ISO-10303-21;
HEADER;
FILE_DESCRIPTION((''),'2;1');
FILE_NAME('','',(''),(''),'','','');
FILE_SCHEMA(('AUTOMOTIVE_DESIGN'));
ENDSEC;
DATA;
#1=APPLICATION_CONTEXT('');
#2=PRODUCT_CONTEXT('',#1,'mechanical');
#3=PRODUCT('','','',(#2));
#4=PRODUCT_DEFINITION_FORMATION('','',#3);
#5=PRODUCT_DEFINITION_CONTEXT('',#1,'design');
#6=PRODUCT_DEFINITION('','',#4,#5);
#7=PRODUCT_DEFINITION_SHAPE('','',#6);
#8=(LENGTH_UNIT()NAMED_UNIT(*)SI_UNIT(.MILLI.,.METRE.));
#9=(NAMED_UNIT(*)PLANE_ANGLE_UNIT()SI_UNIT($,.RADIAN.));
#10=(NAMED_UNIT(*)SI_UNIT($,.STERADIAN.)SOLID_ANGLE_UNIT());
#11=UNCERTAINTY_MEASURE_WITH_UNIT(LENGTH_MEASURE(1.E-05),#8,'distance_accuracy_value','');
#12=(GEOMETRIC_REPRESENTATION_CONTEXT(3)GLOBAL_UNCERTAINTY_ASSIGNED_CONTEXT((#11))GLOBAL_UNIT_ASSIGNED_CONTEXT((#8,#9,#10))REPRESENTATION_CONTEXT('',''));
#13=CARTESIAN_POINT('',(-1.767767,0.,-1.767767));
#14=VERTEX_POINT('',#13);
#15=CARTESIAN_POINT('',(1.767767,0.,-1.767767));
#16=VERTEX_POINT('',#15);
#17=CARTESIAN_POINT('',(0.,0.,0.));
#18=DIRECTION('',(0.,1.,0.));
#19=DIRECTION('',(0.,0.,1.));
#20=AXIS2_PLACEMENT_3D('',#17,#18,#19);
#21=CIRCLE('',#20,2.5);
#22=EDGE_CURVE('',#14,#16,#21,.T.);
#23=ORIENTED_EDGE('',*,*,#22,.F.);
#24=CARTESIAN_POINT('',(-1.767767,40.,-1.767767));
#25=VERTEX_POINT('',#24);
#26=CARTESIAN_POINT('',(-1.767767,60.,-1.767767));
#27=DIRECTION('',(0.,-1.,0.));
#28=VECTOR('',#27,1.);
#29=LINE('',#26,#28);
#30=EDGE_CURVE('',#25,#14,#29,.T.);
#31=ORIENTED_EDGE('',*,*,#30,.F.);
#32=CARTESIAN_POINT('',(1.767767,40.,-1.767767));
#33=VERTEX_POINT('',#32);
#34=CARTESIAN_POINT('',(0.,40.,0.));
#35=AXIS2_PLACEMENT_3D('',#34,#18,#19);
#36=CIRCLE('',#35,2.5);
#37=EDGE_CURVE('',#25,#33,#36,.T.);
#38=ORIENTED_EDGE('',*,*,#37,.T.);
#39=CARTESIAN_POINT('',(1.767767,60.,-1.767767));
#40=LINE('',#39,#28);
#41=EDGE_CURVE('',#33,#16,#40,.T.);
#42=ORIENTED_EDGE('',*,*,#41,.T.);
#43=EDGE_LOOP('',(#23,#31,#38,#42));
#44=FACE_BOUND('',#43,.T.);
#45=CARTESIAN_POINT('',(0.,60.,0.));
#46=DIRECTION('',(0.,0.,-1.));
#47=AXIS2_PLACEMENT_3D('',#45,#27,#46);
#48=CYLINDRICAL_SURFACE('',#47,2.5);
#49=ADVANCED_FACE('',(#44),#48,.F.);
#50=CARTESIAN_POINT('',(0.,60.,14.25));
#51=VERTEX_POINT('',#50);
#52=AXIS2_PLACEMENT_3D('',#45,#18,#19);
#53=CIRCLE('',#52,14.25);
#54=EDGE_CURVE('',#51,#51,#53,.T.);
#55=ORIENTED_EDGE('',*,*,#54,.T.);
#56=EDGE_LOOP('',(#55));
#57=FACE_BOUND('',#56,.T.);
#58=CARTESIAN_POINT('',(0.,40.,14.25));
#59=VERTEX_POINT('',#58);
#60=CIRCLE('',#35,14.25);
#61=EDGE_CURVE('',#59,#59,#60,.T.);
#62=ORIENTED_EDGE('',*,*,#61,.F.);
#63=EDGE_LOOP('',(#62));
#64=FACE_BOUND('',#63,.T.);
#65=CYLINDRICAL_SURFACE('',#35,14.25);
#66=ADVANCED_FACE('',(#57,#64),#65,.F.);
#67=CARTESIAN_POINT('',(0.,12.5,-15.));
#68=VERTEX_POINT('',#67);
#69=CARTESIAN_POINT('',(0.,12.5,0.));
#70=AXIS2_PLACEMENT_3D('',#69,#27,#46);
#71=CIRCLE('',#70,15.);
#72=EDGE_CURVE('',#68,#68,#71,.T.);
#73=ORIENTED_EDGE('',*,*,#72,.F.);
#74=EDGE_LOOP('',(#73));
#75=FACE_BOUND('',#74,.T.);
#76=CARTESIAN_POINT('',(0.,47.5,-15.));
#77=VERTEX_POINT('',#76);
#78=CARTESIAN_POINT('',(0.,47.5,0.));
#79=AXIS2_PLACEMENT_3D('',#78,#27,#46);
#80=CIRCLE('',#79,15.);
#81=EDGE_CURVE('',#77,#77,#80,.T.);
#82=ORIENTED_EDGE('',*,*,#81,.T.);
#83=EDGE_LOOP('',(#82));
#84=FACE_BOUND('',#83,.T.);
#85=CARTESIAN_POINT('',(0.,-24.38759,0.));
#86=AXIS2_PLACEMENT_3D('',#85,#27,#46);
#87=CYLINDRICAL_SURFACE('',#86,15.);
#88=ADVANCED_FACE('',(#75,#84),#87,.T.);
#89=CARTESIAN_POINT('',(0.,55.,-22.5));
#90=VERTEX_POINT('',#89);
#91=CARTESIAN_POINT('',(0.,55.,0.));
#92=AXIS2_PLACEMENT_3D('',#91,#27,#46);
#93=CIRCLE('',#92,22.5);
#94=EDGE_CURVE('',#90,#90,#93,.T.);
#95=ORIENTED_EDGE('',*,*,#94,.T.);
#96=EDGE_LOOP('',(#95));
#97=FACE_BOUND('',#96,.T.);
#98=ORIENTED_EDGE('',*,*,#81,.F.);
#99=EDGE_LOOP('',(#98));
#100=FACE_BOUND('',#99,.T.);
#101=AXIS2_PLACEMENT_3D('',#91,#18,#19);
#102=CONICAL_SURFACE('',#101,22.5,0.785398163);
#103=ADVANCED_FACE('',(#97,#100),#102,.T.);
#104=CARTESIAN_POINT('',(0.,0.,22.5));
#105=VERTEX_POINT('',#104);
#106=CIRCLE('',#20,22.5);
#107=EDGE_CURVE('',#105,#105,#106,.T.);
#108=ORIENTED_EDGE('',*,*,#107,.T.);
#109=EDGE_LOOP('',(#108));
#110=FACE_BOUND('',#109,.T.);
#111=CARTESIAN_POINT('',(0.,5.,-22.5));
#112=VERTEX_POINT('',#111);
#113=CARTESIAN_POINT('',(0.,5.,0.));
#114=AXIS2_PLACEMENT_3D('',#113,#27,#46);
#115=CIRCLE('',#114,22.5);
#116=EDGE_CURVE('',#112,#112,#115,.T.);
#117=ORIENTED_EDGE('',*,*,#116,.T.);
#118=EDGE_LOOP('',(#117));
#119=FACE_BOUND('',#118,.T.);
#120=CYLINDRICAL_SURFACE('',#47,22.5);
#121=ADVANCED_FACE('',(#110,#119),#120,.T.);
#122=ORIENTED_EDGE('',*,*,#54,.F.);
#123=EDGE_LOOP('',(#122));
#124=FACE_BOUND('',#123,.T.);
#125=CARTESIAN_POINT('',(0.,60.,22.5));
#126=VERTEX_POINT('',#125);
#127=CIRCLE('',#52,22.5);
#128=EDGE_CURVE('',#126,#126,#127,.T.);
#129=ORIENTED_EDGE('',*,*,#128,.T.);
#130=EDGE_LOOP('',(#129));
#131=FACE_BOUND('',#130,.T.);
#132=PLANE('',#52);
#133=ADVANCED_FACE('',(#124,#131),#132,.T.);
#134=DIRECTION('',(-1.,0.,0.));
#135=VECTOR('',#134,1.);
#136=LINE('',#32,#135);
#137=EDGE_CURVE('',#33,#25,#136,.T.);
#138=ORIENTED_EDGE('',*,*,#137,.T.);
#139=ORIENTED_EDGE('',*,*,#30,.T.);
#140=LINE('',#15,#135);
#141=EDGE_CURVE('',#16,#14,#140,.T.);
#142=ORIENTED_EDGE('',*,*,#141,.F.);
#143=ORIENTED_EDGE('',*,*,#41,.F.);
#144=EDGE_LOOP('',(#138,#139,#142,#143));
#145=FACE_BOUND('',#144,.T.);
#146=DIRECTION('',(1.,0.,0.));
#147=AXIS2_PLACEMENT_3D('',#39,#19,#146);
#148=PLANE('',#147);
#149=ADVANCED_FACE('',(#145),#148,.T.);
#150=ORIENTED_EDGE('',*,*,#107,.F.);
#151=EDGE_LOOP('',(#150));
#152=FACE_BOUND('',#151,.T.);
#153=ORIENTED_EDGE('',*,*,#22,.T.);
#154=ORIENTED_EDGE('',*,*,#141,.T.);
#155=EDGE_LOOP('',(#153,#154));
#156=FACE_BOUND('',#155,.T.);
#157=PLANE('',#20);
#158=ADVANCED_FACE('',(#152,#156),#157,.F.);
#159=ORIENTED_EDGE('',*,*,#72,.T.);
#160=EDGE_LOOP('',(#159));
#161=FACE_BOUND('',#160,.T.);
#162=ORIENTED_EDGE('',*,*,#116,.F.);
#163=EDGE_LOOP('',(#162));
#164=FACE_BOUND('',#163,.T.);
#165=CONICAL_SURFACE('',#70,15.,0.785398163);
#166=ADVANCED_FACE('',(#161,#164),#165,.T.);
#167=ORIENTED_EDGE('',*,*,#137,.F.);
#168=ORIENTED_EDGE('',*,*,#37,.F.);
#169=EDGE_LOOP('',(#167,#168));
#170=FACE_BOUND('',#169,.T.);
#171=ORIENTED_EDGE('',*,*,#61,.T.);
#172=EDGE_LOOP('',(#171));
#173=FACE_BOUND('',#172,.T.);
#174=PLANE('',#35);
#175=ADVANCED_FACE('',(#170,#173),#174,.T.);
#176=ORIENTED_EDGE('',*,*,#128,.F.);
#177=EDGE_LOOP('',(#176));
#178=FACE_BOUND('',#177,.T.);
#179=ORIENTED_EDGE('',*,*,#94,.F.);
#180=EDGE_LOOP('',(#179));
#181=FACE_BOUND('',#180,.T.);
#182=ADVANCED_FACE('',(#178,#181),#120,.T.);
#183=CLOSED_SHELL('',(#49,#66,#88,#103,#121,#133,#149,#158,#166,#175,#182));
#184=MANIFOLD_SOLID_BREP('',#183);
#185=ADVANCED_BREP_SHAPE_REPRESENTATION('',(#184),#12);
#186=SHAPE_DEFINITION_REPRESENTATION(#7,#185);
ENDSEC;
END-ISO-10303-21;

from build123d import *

# Parameters (mm, degrees)
SKETCH1_R           = 22.5
BOSS_EXTRUDE1_DEPTH = 60
SKETCH2_R           = 14.25
CUT_EXTRUDE1_DEPTH  = 20


with BuildPart() as part:
    # Sketch1 → Boss-Extrude1 (new body)
    with BuildSketch(Plane(origin=(0, 0, 0), x_dir=(1, 0, 0), z_dir=(0, 1, 0))):
        with Locations(Location((0, 0, 0), (0, 0, 270))):
            Circle(SKETCH1_R)
        with BuildLine():
            Line((1.767766953, 1.767766953), (-1.767766953, 1.767766953))
            ThreePointArc((-1.767766953, 1.767766953), (0, -2.5), (1.767766953, 1.767766953))
        make_face(mode=Mode.SUBTRACT)
    extrude(amount=BOSS_EXTRUDE1_DEPTH)

    # Sketch2 → Cut-Extrude1 (cut)
    with BuildSketch(Plane(origin=(0, 60, 0), x_dir=(1, 0, 0), z_dir=(0, 1, 0))):
        with Locations(Location((0, 0, 0), (0, 0, 270))):
            Circle(SKETCH2_R)
    extrude(amount=-CUT_EXTRUDE1_DEPTH, mode=Mode.SUBTRACT)

    # Sketch4 → Cut-Revolve3 (revolve, cut)
    with BuildSketch(Plane.XY, mode=Mode.PRIVATE) as cut_revolve3_sk:
        Polygon((22.5, 5), (22.5, 55), (15, 47.5), (15, 12.5), align=None)
    revolve(cut_revolve3_sk.sketch.rotate(Axis((0, -24.387590134, 0), (0, 1, 0)), 90), axis=Axis((0, -24.387590134, 0), (0, 1, 0)), mode=Mode.SUBTRACT)


solid = part.part
